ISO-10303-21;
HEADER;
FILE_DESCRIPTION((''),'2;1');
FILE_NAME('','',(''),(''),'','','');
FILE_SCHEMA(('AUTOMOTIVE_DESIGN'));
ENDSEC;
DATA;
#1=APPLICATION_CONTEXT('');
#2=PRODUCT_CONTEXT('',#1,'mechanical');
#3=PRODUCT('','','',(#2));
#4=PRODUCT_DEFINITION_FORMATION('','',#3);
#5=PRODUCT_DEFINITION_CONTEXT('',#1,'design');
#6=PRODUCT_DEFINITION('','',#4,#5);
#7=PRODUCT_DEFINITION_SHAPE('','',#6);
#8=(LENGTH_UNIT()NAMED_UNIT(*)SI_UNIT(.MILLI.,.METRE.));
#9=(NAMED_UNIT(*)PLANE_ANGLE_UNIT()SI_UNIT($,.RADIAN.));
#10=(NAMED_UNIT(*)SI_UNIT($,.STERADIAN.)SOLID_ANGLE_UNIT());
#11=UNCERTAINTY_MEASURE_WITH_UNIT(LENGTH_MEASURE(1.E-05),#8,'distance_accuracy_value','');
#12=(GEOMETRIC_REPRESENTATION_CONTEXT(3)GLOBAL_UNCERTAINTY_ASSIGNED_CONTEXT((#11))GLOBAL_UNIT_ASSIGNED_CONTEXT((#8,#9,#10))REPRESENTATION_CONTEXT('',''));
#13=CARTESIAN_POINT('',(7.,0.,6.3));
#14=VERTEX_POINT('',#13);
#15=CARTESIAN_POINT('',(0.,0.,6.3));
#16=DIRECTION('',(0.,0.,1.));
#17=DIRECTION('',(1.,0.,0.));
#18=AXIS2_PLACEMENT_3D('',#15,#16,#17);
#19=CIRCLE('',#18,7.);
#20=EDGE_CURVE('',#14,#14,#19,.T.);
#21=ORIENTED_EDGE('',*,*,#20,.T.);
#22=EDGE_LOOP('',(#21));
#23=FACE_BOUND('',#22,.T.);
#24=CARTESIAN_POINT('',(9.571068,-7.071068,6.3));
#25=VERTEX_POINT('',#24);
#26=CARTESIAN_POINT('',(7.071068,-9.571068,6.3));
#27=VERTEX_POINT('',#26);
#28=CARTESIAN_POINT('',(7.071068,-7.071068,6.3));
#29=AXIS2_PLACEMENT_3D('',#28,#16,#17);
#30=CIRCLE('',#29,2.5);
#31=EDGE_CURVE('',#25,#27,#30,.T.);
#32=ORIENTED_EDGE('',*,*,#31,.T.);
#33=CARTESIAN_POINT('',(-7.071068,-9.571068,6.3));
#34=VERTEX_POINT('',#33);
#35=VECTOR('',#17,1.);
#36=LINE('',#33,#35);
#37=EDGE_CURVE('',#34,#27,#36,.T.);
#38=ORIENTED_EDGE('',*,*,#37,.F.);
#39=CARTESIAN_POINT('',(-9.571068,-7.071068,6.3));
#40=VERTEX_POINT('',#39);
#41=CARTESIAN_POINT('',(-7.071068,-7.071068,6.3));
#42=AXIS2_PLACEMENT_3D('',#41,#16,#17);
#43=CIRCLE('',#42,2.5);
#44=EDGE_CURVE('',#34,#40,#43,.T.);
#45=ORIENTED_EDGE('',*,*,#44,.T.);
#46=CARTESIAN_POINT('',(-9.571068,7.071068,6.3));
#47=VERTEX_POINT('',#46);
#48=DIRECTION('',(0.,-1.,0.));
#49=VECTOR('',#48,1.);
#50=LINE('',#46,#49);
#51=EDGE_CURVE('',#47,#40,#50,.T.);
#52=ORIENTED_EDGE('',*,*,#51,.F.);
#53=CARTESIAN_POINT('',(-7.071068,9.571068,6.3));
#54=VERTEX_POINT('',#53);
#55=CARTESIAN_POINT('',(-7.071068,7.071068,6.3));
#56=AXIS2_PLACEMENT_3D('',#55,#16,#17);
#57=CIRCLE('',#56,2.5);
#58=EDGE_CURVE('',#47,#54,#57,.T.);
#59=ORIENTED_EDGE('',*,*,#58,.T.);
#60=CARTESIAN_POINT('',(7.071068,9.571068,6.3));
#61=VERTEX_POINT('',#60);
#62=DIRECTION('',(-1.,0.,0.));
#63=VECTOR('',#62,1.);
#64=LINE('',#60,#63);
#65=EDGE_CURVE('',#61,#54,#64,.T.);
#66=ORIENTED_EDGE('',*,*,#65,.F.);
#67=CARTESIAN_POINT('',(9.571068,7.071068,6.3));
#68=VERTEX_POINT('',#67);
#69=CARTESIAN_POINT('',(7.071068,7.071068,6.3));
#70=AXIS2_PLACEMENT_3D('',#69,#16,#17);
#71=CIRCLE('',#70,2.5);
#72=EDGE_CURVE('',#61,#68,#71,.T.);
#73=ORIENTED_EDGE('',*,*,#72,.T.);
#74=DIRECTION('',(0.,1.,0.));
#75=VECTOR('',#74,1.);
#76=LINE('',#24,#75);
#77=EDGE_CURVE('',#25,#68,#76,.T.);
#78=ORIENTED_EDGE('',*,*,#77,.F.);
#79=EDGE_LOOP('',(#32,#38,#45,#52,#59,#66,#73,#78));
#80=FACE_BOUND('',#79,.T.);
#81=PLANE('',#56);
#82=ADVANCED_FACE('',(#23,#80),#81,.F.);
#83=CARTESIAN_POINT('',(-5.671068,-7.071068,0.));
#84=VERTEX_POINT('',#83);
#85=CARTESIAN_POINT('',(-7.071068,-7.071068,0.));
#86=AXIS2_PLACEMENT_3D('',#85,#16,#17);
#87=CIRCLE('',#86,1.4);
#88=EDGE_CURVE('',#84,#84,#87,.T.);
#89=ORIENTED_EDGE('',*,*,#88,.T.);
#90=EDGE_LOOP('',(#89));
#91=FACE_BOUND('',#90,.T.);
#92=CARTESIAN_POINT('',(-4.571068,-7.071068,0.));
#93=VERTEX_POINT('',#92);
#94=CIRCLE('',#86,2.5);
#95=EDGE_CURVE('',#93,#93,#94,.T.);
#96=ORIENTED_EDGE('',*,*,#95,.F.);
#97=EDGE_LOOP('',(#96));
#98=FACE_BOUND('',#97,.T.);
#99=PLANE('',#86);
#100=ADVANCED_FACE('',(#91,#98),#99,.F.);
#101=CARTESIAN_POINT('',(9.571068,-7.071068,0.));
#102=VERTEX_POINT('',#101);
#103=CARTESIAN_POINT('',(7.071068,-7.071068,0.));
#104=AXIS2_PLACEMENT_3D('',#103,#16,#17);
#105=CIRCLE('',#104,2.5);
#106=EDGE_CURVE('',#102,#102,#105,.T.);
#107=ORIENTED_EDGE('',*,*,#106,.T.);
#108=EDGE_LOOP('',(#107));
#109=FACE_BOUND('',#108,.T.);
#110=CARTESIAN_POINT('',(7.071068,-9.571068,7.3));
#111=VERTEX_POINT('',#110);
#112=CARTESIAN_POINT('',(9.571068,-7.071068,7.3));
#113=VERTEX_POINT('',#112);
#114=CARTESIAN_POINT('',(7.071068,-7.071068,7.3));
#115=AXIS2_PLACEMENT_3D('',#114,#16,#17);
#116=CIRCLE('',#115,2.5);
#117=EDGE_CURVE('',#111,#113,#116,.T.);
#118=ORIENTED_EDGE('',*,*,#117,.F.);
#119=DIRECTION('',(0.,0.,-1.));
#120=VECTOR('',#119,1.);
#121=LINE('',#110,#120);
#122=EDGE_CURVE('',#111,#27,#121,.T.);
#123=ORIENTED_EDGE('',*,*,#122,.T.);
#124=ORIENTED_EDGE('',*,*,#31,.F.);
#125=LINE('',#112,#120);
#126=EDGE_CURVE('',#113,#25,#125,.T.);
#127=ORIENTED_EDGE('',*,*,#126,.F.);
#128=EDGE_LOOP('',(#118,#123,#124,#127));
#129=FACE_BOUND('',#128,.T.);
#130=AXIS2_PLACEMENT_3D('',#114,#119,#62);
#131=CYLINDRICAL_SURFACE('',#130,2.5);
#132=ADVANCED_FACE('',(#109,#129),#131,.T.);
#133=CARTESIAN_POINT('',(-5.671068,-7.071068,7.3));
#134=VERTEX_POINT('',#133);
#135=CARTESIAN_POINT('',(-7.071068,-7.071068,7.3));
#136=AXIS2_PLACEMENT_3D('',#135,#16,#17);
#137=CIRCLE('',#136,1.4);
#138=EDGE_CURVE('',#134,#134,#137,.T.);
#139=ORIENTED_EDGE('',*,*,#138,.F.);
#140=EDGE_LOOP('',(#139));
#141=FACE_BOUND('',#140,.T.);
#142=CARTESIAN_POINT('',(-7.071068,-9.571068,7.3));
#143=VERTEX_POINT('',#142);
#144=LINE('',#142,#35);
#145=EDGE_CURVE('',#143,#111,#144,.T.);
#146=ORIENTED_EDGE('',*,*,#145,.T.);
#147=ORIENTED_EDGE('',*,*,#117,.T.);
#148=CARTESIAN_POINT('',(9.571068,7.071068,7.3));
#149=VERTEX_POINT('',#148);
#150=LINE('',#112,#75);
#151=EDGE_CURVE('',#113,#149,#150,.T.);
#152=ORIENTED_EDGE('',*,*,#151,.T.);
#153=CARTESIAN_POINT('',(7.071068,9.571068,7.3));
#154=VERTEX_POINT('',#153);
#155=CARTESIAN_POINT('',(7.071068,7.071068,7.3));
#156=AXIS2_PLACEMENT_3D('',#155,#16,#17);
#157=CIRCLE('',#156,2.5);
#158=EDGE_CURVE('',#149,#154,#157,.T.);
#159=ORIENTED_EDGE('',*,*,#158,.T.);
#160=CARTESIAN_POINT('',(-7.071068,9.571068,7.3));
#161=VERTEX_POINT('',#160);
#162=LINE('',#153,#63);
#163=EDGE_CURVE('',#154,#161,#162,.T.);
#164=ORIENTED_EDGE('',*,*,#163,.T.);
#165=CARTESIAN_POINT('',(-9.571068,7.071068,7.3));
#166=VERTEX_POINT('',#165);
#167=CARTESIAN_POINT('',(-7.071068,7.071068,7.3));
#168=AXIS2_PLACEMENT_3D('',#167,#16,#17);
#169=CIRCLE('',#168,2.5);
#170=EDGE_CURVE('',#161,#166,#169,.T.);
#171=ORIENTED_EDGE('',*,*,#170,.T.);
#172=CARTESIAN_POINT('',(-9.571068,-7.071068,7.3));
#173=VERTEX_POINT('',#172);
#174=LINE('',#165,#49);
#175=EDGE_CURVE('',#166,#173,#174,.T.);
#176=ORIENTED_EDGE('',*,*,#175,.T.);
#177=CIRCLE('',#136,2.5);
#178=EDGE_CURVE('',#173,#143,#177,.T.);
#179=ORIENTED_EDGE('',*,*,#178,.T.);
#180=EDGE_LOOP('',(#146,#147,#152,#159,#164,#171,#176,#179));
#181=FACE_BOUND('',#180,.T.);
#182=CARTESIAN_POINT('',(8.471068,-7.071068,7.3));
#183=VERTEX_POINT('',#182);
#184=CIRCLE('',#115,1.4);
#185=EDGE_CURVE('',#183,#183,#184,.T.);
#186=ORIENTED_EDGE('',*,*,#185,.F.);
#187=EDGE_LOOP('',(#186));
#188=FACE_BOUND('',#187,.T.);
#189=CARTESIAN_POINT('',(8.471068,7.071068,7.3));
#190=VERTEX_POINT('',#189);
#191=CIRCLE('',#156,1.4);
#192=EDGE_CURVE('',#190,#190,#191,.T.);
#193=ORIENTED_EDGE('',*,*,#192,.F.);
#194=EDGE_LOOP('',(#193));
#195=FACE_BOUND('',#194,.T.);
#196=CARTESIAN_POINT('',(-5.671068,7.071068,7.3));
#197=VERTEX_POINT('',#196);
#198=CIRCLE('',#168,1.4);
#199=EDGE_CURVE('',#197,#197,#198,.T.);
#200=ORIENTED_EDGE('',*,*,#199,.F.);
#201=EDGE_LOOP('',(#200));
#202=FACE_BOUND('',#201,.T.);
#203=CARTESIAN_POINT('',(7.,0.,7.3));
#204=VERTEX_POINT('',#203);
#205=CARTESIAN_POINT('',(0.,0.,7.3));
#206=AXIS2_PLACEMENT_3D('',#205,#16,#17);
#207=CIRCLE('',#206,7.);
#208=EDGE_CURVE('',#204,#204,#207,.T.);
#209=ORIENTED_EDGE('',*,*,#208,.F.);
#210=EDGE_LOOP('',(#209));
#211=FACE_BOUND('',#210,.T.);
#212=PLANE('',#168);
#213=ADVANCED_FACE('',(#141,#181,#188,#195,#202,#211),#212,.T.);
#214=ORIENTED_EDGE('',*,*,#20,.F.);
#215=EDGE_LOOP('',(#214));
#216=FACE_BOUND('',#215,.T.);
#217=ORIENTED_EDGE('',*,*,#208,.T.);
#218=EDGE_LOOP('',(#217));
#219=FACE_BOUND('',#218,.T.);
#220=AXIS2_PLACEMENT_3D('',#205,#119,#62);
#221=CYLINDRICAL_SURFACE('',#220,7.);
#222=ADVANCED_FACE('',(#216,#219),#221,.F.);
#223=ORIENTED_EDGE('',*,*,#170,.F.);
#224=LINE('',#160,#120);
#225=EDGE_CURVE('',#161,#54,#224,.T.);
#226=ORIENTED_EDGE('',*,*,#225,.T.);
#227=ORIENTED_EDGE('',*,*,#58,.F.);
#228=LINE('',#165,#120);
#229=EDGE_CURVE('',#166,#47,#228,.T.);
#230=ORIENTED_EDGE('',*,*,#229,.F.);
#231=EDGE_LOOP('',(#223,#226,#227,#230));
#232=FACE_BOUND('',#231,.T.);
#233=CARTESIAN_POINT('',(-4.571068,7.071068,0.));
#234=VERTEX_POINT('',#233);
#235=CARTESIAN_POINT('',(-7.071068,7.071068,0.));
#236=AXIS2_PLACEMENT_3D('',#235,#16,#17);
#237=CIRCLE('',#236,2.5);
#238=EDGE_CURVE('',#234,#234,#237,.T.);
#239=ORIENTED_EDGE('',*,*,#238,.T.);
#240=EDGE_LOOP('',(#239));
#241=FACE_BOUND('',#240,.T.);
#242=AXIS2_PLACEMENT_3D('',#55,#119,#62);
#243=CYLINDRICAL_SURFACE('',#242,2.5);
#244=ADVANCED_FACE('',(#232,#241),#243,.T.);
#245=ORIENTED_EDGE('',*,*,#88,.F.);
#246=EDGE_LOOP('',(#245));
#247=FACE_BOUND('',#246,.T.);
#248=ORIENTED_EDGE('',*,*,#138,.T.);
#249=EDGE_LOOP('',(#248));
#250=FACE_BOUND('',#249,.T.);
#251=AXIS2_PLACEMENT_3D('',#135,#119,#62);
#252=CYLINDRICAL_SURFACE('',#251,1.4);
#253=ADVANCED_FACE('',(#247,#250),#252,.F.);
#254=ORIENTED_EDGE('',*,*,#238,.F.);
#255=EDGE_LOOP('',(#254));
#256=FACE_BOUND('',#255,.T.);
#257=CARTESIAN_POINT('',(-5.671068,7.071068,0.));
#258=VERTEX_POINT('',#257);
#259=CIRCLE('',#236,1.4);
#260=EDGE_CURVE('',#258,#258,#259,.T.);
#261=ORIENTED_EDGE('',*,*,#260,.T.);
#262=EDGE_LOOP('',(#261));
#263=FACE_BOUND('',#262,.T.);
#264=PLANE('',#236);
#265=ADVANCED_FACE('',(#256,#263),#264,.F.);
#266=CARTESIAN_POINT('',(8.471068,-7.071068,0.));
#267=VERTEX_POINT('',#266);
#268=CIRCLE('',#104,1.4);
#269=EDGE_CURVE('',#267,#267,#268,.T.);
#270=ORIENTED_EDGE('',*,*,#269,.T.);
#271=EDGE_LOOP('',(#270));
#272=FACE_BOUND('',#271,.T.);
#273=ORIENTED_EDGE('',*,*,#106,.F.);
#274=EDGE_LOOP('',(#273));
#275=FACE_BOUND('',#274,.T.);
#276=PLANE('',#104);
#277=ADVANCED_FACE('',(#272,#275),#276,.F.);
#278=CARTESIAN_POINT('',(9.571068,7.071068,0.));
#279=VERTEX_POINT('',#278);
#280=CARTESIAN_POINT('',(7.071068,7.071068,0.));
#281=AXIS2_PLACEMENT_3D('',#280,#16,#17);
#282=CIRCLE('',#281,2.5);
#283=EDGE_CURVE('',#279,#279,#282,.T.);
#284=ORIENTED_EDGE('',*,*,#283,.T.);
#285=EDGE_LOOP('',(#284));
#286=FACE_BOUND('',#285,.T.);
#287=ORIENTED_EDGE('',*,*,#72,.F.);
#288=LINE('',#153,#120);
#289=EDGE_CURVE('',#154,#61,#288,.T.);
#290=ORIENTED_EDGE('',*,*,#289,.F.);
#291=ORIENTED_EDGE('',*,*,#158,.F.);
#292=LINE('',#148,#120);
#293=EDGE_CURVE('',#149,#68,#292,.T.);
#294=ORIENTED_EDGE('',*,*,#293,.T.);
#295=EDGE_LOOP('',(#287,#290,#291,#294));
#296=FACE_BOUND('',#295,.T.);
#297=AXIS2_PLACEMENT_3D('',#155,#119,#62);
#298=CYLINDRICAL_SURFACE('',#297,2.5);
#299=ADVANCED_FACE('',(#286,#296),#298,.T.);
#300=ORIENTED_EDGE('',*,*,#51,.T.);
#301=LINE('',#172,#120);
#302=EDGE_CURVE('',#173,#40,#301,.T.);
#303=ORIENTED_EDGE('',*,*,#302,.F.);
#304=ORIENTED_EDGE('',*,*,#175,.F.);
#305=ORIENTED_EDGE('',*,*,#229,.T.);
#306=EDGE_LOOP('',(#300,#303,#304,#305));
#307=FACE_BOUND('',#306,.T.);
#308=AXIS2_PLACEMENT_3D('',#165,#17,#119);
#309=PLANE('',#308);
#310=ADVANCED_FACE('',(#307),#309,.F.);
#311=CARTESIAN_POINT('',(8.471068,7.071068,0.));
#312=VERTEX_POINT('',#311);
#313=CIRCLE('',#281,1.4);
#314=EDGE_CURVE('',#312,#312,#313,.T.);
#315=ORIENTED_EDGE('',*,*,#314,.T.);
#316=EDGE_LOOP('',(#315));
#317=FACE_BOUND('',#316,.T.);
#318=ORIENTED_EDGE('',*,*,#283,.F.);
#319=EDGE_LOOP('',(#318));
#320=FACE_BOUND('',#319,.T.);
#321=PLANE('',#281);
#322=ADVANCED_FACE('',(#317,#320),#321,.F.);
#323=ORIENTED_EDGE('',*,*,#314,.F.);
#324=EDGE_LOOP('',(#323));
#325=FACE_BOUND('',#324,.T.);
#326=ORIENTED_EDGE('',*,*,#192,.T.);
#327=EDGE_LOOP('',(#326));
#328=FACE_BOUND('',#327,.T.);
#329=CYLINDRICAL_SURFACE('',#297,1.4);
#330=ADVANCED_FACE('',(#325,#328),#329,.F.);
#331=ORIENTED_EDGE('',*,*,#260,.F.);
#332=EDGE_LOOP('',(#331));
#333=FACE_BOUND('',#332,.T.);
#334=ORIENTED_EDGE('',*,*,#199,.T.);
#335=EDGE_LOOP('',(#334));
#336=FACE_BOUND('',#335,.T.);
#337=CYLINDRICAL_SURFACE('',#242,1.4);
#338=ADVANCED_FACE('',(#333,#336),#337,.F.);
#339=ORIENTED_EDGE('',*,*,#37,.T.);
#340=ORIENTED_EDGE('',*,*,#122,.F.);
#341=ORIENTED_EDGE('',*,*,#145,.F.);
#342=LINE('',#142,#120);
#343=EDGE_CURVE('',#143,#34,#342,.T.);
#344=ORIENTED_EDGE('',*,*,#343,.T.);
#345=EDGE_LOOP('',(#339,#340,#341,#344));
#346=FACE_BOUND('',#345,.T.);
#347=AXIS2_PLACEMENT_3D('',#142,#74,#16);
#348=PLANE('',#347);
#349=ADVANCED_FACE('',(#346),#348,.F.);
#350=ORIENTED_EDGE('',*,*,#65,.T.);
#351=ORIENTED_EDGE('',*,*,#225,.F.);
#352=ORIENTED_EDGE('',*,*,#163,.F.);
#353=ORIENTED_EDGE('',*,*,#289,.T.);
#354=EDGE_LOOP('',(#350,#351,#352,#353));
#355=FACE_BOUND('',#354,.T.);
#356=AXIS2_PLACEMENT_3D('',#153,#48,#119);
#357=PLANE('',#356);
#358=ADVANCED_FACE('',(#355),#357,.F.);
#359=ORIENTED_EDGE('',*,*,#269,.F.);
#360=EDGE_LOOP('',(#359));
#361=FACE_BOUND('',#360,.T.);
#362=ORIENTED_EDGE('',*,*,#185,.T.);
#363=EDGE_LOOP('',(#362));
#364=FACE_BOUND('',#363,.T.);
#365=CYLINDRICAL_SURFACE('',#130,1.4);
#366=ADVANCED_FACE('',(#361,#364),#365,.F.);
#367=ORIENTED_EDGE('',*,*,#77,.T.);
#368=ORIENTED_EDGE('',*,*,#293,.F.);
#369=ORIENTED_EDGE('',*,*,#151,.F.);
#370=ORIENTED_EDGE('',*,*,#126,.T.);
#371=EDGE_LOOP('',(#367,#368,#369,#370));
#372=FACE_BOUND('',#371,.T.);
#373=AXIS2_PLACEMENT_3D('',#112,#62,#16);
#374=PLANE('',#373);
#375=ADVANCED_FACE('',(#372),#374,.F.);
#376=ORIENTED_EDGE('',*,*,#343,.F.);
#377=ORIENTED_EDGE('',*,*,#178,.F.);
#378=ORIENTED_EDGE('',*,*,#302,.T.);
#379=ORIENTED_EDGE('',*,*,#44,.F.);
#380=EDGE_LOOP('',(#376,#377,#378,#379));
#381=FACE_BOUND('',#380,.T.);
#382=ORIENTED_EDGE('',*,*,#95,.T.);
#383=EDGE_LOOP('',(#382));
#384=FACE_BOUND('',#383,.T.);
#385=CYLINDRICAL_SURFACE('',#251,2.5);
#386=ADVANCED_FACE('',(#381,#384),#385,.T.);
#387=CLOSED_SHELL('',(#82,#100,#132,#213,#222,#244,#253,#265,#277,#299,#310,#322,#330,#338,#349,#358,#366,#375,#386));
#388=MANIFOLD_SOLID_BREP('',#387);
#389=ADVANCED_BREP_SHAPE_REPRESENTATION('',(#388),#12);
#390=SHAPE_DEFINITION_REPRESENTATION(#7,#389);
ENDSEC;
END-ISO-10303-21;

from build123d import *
from build123d.topology import SkipClean

# Parameters (mm, degrees)
SKETCH1_R             = 2.5
SKETCH1_R_2           = 1.4
BOSS_EXTRUDE1_DEPTH   = 6.3
BOSS_EXTRUDE1_2_DEPTH = 6.3
BOSS_EXTRUDE1_3_DEPTH = 6.3
BOSS_EXTRUDE1_4_DEPTH = 6.3
SKETCH2_R             = 1.4
SKETCH2_R_2           = 7
BOSS_EXTRUDE2_DEPTH   = 1


with BuildPart() as part:
    # Sketch1 → Boss-Extrude1 (new body)
    with BuildSketch(Plane.XY):
        with Locations((-7.071067812, 7.071067812)):
            Circle(SKETCH1_R)
        with Locations((-7.071067812, 7.071067812)):
            Circle(SKETCH1_R_2, mode=Mode.SUBTRACT)
    extrude(amount=BOSS_EXTRUDE1_DEPTH)



with BuildPart() as body_2:
    # Sketch1 → Boss-Extrude1 2 (new body)
    with BuildSketch(Plane.XY):
        with Locations((7.071067812, 7.071067812)):
            Circle(SKETCH1_R)
        with Locations((7.071067812, 7.071067812)):
            Circle(SKETCH1_R_2, mode=Mode.SUBTRACT)
    extrude(amount=BOSS_EXTRUDE1_2_DEPTH)


with BuildPart() as body_3:
    # Sketch1 → Boss-Extrude1 3 (new body)
    with BuildSketch(Plane.XY):
        with Locations((7.071067812, -7.071067812)):
            Circle(SKETCH1_R)
        with Locations((7.071067812, -7.071067812)):
            Circle(SKETCH1_R_2, mode=Mode.SUBTRACT)
    extrude(amount=BOSS_EXTRUDE1_3_DEPTH)


with BuildPart() as body_4:
    # Sketch1 → Boss-Extrude1 4 (new body)
    with BuildSketch(Plane.XY):
        with Locations((-7.071067812, -7.071067812)):
            Circle(SKETCH1_R)
        with Locations((-7.071067812, -7.071067812)):
            Circle(SKETCH1_R_2, mode=Mode.SUBTRACT)
    extrude(amount=BOSS_EXTRUDE1_4_DEPTH)


with BuildPart() as part_1:
    with SkipClean():  # the faces are left unmerged after this step: merging them gives an invalid solid
        add(part.part)

        add(body_2.part)  # Boss-Extrude2 merges body 2

        add(body_3.part)  # Boss-Extrude2 merges body 3

        add(body_4.part)  # Boss-Extrude2 merges body 4
        # Sketch2 → Boss-Extrude2 (add)
        with BuildSketch(Plane.XY.offset(6.3)):
            with BuildLine():
                Line((-9.571067812, 7.071067812), (-9.571067812, -7.071067812))
                ThreePointArc((-9.571067812, -7.071067812), (-8.838834765, -8.838834765), (-7.071067812, -9.571067812))
                Line((-7.071067812, -9.571067812), (7.071067812, -9.571067812))
                ThreePointArc((7.071067812, -9.571067812), (8.838834765, -8.838834765), (9.571067812, -7.071067812))
                Line((9.571067812, -7.071067812), (9.571067812, 7.071067812))
                ThreePointArc((9.571067812, 7.071067812), (8.838834765, 8.838834765), (7.071067812, 9.571067812))
                Line((7.071067812, 9.571067812), (-7.071067812, 9.571067812))
                ThreePointArc((-7.071067812, 9.571067812), (-8.838834765, 8.838834765), (-9.571067812, 7.071067812))
            make_face()
            with Locations((7.071067812, -7.071067812)):
                Circle(SKETCH2_R, mode=Mode.SUBTRACT)
            with Locations((7.071067812, 7.071067812)):
                Circle(SKETCH2_R, mode=Mode.SUBTRACT)
            with Locations((-7.071067812, -7.071067812)):
                Circle(SKETCH2_R, mode=Mode.SUBTRACT)
            with Locations((-7.071067812, 7.071067812)):
                Circle(SKETCH2_R, mode=Mode.SUBTRACT)
            Circle(SKETCH2_R_2, mode=Mode.SUBTRACT)
        extrude(amount=BOSS_EXTRUDE2_DEPTH)


solid = part_1.part
